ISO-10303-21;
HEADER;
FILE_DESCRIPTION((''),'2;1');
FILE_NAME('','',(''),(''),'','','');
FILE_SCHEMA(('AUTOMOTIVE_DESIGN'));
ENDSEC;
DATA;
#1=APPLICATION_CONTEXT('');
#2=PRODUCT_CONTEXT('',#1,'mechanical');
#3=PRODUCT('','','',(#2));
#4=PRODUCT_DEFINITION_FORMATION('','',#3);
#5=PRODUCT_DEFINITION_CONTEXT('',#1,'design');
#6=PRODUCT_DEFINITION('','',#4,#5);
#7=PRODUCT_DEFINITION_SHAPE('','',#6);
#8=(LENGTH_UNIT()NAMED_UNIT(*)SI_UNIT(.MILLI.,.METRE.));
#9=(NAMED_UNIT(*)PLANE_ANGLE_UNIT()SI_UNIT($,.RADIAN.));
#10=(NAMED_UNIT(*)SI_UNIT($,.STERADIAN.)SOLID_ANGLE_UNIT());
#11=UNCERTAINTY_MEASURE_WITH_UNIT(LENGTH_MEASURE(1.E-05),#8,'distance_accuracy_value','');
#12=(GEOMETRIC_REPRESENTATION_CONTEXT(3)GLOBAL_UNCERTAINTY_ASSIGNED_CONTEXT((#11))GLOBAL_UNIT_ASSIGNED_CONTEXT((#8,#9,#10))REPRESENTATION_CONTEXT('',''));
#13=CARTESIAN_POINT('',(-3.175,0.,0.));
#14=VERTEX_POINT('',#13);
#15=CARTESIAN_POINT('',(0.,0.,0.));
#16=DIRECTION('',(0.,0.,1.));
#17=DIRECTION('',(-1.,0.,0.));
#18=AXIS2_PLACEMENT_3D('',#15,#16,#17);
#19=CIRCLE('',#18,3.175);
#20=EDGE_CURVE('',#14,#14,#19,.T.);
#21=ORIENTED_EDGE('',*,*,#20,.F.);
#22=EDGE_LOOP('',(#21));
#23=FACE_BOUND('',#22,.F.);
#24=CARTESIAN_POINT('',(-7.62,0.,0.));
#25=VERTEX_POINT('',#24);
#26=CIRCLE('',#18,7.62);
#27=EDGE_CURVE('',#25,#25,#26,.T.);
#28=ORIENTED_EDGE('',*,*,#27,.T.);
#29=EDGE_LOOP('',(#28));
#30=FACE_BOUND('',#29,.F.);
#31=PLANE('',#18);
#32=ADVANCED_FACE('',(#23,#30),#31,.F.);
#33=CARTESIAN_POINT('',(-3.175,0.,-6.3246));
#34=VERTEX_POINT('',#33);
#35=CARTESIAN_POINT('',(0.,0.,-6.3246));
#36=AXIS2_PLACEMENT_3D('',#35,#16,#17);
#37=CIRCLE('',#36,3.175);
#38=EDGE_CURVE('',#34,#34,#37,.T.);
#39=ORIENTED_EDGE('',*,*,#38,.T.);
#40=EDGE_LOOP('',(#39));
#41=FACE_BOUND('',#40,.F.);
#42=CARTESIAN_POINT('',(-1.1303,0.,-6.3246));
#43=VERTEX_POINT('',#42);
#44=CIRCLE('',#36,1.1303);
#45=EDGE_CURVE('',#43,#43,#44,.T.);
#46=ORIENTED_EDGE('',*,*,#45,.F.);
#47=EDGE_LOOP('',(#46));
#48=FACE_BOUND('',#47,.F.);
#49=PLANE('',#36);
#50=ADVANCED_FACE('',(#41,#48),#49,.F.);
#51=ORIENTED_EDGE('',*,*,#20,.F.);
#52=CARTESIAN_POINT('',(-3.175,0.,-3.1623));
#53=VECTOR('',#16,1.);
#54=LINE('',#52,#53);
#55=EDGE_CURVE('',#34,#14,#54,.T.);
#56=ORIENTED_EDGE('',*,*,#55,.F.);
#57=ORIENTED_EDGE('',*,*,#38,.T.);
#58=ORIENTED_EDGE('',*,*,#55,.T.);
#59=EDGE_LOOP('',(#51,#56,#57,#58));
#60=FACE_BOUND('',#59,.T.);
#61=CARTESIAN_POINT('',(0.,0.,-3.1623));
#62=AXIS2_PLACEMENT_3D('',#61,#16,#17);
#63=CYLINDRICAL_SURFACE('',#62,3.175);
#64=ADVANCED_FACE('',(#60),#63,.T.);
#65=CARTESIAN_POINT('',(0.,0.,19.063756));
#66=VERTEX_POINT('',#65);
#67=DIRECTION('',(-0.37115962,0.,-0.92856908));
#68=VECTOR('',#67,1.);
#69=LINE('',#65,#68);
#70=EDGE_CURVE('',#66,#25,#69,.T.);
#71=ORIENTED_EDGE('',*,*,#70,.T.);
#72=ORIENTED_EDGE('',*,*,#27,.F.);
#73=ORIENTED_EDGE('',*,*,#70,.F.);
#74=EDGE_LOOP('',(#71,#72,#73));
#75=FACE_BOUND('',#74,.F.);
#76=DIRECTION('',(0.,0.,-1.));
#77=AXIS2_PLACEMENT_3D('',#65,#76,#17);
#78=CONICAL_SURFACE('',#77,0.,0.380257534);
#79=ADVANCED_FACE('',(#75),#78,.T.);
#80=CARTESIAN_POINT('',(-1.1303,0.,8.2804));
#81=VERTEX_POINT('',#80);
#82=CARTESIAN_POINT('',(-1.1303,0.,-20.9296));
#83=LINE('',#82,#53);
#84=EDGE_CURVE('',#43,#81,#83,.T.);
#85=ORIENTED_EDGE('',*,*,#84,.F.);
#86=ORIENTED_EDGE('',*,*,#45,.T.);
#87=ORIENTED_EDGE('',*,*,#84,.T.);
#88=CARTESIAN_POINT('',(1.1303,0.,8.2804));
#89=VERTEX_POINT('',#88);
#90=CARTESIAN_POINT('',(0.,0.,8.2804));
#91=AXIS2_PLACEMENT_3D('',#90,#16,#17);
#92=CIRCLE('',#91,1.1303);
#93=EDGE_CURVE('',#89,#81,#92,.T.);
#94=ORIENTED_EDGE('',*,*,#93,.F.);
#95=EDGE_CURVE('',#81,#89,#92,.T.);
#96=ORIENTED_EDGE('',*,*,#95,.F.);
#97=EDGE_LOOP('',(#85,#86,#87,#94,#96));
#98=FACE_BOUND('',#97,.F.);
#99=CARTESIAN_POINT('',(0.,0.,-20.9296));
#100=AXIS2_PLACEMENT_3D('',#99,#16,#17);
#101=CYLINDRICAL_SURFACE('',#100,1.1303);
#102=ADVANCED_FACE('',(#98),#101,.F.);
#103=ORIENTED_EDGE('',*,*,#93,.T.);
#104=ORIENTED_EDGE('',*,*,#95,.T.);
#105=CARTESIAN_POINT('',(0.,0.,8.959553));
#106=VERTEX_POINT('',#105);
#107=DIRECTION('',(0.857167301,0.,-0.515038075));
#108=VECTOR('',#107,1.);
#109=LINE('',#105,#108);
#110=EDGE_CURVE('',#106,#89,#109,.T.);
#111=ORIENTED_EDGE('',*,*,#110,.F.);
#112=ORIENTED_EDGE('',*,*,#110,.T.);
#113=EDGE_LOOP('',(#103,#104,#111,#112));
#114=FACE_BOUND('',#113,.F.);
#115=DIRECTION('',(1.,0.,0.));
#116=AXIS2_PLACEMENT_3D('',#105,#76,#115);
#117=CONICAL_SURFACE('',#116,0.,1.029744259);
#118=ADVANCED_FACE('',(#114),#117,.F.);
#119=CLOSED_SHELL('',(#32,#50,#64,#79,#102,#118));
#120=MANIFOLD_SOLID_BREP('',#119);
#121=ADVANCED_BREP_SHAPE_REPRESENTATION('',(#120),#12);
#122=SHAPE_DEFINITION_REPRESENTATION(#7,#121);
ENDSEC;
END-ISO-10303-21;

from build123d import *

# Parameters (mm, degrees)
F0_W     = 3.175
F0_H     = 6.3246
F3_D     = 2.2606
F3_DEPTH = 14.605
F3_TIP   = 0.6791527577


with BuildPart() as f1:
    # F0 (on Front) → F1 (revolve)
    with BuildSketch(Plane.XZ):
        with Locations((-1.5875, -3.1623)):
            Rectangle(F0_W, F0_H)
        Polygon((-3.175, 0), (0, 0), (0, 19.0637558699), (-7.62, 0), align=None)
    revolve(axis=Axis((0, 0, 9.5318779349), (0, 0, 1)))

    # F3
    with Locations(Plane(origin=(0, 0, -6.3246), x_dir=(1, 0, 0), z_dir=(0, 0, -1))):
        with Locations((0, 0)):
            Hole(F3_D / 2, depth=F3_DEPTH)
            with Locations((0, 0, -(F3_DEPTH + F3_TIP / 2))):  # 118° drill point
                Cone(0, F3_D / 2, F3_TIP, mode=Mode.SUBTRACT)


solid = f1.part
